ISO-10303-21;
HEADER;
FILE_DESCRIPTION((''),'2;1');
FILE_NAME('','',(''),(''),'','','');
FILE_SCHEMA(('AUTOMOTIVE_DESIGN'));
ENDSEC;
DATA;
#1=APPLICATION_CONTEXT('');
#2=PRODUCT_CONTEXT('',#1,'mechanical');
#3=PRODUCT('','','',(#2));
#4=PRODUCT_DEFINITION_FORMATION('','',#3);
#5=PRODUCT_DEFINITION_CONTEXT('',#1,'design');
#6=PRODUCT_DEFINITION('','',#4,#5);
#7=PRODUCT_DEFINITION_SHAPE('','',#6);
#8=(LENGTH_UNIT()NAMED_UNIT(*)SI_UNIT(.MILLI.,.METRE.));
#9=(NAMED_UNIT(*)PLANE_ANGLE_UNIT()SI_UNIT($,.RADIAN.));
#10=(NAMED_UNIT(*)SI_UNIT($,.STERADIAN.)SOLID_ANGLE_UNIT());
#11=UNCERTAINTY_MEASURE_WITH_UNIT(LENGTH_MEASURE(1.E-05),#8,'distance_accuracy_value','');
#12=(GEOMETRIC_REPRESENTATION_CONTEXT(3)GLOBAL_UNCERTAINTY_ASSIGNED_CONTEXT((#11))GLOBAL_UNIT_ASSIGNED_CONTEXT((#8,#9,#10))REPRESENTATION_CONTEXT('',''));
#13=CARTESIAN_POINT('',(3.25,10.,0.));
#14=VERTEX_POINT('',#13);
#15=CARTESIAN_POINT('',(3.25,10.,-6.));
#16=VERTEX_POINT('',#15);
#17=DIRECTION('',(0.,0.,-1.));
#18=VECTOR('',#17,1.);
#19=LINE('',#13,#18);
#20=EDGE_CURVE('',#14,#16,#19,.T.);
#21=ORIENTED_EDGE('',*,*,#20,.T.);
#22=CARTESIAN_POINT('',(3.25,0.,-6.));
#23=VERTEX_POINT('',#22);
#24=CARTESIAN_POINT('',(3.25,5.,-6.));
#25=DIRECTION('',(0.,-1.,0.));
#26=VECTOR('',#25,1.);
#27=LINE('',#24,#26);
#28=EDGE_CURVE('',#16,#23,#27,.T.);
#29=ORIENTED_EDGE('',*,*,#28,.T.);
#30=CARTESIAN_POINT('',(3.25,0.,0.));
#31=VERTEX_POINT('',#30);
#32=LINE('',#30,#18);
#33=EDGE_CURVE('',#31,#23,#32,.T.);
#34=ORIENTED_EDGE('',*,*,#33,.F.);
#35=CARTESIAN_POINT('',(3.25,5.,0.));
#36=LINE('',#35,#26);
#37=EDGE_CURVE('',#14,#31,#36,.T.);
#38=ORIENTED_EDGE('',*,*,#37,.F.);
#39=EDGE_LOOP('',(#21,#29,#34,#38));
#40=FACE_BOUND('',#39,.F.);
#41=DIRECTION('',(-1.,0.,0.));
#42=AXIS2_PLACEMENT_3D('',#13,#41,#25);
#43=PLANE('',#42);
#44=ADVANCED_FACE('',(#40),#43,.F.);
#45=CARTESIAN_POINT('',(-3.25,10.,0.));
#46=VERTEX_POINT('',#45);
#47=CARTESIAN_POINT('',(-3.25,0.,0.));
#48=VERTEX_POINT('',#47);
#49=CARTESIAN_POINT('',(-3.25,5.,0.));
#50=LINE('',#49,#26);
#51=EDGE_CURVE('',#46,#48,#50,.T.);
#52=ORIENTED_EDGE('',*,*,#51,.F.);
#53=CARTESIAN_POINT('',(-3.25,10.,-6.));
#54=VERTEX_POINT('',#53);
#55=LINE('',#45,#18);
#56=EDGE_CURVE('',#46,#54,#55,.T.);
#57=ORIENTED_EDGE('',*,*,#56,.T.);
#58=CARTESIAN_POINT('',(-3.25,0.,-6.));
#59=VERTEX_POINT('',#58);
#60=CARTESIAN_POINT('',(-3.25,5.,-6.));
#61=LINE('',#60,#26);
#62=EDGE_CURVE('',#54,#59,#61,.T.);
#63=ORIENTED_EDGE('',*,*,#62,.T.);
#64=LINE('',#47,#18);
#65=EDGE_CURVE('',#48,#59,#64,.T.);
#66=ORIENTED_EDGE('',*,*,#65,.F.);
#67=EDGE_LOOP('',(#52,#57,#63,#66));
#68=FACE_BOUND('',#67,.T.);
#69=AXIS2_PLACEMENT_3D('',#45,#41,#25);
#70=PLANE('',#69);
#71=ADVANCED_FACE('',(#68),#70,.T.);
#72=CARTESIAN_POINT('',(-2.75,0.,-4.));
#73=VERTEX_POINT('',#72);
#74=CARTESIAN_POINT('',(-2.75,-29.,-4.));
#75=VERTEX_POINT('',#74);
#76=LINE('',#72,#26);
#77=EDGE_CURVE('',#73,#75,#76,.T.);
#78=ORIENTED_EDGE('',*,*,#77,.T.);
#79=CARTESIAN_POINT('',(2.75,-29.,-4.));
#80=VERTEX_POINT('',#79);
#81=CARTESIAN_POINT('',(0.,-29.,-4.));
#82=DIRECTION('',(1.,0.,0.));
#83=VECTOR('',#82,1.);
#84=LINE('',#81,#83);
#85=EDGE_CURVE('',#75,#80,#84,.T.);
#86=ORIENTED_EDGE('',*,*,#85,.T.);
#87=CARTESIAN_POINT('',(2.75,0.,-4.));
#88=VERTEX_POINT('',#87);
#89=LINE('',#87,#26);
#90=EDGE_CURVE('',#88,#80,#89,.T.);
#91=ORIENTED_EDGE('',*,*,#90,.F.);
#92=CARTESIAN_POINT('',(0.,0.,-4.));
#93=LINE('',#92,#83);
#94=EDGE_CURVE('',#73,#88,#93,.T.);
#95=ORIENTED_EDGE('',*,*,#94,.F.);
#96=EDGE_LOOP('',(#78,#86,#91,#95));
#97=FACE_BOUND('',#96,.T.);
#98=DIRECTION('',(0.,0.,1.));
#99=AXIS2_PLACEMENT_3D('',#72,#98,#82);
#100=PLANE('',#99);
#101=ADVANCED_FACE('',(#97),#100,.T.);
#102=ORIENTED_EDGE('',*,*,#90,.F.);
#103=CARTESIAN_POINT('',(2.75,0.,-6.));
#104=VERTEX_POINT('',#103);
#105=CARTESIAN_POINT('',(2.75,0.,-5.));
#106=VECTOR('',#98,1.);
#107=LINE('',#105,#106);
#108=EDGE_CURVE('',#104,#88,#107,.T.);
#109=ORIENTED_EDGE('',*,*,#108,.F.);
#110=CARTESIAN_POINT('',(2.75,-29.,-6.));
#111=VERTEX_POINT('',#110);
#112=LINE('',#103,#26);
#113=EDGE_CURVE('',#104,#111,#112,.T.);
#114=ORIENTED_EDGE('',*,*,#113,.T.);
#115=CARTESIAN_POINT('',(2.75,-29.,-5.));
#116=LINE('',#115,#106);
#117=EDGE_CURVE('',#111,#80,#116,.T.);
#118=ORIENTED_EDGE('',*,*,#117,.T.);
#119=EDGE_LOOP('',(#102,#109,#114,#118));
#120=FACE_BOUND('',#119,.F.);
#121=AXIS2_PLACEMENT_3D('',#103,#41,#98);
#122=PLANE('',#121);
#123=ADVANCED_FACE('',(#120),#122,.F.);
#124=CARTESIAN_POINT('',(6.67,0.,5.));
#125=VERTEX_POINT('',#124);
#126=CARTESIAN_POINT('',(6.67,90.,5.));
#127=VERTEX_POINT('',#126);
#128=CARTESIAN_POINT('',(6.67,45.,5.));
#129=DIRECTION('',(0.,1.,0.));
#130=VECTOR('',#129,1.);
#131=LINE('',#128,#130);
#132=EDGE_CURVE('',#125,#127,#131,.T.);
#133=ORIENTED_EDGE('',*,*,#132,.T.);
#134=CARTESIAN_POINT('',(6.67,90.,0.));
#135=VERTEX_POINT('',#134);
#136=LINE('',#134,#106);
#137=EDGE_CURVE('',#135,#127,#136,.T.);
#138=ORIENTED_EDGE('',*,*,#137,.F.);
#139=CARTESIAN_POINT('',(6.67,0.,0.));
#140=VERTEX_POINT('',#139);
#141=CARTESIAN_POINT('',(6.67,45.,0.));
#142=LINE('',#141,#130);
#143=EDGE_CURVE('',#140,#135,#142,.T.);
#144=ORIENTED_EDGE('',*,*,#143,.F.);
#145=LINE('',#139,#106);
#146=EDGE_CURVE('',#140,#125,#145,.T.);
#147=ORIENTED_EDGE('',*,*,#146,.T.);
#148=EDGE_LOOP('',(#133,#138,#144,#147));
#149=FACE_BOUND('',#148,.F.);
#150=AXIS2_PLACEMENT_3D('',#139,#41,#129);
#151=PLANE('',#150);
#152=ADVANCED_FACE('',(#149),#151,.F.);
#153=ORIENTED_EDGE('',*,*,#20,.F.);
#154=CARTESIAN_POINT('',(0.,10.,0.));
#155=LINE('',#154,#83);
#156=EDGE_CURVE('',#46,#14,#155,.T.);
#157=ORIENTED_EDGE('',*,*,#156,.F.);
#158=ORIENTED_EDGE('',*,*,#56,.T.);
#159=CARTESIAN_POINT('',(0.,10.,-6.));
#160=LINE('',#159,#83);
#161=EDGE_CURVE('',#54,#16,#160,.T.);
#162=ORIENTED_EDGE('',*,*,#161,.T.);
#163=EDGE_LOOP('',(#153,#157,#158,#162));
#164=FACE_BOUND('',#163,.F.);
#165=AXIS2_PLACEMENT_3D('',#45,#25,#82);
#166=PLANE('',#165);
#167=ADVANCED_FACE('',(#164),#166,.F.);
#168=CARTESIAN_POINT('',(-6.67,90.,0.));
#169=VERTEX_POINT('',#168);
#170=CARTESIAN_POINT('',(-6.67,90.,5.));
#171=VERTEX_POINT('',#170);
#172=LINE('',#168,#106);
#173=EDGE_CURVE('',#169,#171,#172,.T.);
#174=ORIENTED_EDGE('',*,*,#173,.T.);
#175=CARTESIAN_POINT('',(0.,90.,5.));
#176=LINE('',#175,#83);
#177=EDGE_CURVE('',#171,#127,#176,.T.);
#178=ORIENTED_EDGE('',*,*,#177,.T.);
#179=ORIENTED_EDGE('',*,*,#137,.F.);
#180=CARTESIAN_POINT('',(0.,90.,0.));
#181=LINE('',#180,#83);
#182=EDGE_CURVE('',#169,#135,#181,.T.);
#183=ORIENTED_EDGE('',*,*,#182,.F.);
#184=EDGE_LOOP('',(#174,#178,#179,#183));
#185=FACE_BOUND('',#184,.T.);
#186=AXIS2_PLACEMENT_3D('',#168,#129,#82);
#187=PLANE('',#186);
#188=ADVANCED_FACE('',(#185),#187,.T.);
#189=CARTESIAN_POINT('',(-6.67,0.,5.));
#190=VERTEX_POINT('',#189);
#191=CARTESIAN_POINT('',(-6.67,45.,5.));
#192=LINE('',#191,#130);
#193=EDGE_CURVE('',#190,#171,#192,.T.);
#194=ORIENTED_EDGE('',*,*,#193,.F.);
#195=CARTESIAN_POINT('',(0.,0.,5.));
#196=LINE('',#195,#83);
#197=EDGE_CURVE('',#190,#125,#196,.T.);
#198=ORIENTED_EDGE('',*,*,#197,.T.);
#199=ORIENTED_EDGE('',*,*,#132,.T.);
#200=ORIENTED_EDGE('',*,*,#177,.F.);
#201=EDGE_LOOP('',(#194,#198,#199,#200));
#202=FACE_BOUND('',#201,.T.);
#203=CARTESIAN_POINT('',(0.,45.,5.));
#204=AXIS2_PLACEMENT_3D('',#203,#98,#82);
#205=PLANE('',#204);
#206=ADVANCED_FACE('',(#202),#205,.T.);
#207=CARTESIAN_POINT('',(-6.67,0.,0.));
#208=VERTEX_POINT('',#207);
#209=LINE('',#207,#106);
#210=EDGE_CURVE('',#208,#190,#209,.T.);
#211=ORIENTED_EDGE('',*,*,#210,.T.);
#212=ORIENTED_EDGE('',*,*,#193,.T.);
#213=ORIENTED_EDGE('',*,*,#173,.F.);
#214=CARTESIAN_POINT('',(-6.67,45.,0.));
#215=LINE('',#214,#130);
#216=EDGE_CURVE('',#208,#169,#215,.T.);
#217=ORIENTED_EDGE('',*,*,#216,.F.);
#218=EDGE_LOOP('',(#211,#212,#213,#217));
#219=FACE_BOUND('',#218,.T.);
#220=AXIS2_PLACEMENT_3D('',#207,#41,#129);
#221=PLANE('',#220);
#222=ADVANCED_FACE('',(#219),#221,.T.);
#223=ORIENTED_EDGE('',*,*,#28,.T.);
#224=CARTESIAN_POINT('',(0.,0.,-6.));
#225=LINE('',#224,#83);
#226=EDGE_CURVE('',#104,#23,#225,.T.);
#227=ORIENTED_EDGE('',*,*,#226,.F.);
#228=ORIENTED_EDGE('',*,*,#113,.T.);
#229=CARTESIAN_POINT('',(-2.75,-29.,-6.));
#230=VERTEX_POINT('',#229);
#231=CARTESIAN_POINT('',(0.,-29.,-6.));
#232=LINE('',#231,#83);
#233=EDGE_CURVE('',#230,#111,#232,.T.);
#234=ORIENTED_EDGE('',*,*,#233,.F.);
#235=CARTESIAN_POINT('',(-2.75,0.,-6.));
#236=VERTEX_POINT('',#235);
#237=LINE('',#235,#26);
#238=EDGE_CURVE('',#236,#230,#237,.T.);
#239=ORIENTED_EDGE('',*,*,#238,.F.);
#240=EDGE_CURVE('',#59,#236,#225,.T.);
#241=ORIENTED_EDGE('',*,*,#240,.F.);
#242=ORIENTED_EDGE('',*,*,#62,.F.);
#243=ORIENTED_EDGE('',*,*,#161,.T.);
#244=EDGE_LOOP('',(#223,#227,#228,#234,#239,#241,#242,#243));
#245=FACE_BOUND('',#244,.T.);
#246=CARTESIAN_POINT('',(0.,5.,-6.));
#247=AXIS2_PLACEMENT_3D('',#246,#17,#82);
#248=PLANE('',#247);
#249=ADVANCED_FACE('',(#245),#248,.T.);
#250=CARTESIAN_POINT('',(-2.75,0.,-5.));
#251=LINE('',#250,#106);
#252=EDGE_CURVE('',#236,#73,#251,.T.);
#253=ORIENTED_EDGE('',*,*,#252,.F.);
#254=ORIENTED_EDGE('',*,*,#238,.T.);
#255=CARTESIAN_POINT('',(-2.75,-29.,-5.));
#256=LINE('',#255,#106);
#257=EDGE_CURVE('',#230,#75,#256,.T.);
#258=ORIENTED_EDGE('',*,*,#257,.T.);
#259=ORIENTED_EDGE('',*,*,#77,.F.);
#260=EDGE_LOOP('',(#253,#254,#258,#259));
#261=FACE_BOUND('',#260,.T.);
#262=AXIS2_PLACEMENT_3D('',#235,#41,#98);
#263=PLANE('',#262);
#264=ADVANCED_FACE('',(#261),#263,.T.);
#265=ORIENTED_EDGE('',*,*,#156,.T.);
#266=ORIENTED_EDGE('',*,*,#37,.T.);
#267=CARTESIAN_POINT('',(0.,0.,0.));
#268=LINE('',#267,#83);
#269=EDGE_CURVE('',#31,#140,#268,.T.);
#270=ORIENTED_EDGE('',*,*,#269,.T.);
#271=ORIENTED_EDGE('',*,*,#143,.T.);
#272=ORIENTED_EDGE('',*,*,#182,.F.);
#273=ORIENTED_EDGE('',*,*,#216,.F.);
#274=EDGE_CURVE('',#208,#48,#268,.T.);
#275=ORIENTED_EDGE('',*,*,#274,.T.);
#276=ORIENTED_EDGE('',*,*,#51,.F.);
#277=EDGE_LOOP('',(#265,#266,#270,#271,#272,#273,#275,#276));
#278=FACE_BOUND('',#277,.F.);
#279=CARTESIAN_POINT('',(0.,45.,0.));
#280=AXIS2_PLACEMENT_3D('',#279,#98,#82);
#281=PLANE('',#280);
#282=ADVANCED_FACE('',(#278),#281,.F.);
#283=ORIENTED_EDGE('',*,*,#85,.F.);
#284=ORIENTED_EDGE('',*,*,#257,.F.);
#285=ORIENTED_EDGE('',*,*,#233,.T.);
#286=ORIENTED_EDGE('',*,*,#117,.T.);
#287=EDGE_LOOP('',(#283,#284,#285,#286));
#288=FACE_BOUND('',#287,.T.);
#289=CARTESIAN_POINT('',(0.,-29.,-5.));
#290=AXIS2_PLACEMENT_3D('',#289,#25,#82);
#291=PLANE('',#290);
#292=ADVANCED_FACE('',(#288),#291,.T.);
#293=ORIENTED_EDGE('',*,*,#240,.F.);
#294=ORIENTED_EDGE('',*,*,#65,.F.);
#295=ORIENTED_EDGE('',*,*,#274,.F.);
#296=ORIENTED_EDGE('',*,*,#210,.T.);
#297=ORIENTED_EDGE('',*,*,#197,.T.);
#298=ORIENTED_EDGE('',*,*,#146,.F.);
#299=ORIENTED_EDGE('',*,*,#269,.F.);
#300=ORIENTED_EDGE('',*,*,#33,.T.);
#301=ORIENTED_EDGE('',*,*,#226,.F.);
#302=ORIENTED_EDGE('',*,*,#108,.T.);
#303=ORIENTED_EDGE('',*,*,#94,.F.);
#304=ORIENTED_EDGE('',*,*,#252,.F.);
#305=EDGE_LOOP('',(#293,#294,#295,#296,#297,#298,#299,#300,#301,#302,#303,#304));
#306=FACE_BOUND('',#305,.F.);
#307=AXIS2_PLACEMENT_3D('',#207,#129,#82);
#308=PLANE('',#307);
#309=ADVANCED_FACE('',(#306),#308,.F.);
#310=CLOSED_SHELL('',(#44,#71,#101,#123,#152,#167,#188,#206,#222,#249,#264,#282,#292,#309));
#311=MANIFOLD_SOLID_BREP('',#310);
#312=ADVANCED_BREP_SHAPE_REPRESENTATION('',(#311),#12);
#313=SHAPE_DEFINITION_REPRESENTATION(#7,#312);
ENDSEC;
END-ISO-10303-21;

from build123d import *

# Parameters (mm, degrees)
SKETCH_W     = 13.34
SKETCH_H     = 90
PAD_DEPTH    = 5
SKETCH001_W  = 6.5
SKETCH001_H  = 10
PAD001_DEPTH = 6
SKETCH002_W  = 5.5
SKETCH002_H  = 2
PAD002_DEPTH = 29


with BuildPart() as part:
    # Sketch → Pad (new body)
    with BuildSketch(Plane.XY):
        with Locations((0, 45)):
            Rectangle(SKETCH_W, SKETCH_H)
    extrude(amount=PAD_DEPTH)

    # Sketch001 (on Face5 of Pad) → Pad001 (join)
    with BuildSketch(Plane(origin=(0, 0, 0), x_dir=(1, 0, 0), z_dir=(0, 0, -1))):
        with Locations((0, -5)):
            Rectangle(SKETCH001_W, SKETCH001_H)
    extrude(amount=PAD001_DEPTH)

    # Sketch002 (on Face5 of Pad001) → Pad002 (join)
    with BuildSketch(Plane.XZ):
        with Locations((0, -5)):
            Rectangle(SKETCH002_W, SKETCH002_H)
    extrude(amount=PAD002_DEPTH)


solid = part.part
